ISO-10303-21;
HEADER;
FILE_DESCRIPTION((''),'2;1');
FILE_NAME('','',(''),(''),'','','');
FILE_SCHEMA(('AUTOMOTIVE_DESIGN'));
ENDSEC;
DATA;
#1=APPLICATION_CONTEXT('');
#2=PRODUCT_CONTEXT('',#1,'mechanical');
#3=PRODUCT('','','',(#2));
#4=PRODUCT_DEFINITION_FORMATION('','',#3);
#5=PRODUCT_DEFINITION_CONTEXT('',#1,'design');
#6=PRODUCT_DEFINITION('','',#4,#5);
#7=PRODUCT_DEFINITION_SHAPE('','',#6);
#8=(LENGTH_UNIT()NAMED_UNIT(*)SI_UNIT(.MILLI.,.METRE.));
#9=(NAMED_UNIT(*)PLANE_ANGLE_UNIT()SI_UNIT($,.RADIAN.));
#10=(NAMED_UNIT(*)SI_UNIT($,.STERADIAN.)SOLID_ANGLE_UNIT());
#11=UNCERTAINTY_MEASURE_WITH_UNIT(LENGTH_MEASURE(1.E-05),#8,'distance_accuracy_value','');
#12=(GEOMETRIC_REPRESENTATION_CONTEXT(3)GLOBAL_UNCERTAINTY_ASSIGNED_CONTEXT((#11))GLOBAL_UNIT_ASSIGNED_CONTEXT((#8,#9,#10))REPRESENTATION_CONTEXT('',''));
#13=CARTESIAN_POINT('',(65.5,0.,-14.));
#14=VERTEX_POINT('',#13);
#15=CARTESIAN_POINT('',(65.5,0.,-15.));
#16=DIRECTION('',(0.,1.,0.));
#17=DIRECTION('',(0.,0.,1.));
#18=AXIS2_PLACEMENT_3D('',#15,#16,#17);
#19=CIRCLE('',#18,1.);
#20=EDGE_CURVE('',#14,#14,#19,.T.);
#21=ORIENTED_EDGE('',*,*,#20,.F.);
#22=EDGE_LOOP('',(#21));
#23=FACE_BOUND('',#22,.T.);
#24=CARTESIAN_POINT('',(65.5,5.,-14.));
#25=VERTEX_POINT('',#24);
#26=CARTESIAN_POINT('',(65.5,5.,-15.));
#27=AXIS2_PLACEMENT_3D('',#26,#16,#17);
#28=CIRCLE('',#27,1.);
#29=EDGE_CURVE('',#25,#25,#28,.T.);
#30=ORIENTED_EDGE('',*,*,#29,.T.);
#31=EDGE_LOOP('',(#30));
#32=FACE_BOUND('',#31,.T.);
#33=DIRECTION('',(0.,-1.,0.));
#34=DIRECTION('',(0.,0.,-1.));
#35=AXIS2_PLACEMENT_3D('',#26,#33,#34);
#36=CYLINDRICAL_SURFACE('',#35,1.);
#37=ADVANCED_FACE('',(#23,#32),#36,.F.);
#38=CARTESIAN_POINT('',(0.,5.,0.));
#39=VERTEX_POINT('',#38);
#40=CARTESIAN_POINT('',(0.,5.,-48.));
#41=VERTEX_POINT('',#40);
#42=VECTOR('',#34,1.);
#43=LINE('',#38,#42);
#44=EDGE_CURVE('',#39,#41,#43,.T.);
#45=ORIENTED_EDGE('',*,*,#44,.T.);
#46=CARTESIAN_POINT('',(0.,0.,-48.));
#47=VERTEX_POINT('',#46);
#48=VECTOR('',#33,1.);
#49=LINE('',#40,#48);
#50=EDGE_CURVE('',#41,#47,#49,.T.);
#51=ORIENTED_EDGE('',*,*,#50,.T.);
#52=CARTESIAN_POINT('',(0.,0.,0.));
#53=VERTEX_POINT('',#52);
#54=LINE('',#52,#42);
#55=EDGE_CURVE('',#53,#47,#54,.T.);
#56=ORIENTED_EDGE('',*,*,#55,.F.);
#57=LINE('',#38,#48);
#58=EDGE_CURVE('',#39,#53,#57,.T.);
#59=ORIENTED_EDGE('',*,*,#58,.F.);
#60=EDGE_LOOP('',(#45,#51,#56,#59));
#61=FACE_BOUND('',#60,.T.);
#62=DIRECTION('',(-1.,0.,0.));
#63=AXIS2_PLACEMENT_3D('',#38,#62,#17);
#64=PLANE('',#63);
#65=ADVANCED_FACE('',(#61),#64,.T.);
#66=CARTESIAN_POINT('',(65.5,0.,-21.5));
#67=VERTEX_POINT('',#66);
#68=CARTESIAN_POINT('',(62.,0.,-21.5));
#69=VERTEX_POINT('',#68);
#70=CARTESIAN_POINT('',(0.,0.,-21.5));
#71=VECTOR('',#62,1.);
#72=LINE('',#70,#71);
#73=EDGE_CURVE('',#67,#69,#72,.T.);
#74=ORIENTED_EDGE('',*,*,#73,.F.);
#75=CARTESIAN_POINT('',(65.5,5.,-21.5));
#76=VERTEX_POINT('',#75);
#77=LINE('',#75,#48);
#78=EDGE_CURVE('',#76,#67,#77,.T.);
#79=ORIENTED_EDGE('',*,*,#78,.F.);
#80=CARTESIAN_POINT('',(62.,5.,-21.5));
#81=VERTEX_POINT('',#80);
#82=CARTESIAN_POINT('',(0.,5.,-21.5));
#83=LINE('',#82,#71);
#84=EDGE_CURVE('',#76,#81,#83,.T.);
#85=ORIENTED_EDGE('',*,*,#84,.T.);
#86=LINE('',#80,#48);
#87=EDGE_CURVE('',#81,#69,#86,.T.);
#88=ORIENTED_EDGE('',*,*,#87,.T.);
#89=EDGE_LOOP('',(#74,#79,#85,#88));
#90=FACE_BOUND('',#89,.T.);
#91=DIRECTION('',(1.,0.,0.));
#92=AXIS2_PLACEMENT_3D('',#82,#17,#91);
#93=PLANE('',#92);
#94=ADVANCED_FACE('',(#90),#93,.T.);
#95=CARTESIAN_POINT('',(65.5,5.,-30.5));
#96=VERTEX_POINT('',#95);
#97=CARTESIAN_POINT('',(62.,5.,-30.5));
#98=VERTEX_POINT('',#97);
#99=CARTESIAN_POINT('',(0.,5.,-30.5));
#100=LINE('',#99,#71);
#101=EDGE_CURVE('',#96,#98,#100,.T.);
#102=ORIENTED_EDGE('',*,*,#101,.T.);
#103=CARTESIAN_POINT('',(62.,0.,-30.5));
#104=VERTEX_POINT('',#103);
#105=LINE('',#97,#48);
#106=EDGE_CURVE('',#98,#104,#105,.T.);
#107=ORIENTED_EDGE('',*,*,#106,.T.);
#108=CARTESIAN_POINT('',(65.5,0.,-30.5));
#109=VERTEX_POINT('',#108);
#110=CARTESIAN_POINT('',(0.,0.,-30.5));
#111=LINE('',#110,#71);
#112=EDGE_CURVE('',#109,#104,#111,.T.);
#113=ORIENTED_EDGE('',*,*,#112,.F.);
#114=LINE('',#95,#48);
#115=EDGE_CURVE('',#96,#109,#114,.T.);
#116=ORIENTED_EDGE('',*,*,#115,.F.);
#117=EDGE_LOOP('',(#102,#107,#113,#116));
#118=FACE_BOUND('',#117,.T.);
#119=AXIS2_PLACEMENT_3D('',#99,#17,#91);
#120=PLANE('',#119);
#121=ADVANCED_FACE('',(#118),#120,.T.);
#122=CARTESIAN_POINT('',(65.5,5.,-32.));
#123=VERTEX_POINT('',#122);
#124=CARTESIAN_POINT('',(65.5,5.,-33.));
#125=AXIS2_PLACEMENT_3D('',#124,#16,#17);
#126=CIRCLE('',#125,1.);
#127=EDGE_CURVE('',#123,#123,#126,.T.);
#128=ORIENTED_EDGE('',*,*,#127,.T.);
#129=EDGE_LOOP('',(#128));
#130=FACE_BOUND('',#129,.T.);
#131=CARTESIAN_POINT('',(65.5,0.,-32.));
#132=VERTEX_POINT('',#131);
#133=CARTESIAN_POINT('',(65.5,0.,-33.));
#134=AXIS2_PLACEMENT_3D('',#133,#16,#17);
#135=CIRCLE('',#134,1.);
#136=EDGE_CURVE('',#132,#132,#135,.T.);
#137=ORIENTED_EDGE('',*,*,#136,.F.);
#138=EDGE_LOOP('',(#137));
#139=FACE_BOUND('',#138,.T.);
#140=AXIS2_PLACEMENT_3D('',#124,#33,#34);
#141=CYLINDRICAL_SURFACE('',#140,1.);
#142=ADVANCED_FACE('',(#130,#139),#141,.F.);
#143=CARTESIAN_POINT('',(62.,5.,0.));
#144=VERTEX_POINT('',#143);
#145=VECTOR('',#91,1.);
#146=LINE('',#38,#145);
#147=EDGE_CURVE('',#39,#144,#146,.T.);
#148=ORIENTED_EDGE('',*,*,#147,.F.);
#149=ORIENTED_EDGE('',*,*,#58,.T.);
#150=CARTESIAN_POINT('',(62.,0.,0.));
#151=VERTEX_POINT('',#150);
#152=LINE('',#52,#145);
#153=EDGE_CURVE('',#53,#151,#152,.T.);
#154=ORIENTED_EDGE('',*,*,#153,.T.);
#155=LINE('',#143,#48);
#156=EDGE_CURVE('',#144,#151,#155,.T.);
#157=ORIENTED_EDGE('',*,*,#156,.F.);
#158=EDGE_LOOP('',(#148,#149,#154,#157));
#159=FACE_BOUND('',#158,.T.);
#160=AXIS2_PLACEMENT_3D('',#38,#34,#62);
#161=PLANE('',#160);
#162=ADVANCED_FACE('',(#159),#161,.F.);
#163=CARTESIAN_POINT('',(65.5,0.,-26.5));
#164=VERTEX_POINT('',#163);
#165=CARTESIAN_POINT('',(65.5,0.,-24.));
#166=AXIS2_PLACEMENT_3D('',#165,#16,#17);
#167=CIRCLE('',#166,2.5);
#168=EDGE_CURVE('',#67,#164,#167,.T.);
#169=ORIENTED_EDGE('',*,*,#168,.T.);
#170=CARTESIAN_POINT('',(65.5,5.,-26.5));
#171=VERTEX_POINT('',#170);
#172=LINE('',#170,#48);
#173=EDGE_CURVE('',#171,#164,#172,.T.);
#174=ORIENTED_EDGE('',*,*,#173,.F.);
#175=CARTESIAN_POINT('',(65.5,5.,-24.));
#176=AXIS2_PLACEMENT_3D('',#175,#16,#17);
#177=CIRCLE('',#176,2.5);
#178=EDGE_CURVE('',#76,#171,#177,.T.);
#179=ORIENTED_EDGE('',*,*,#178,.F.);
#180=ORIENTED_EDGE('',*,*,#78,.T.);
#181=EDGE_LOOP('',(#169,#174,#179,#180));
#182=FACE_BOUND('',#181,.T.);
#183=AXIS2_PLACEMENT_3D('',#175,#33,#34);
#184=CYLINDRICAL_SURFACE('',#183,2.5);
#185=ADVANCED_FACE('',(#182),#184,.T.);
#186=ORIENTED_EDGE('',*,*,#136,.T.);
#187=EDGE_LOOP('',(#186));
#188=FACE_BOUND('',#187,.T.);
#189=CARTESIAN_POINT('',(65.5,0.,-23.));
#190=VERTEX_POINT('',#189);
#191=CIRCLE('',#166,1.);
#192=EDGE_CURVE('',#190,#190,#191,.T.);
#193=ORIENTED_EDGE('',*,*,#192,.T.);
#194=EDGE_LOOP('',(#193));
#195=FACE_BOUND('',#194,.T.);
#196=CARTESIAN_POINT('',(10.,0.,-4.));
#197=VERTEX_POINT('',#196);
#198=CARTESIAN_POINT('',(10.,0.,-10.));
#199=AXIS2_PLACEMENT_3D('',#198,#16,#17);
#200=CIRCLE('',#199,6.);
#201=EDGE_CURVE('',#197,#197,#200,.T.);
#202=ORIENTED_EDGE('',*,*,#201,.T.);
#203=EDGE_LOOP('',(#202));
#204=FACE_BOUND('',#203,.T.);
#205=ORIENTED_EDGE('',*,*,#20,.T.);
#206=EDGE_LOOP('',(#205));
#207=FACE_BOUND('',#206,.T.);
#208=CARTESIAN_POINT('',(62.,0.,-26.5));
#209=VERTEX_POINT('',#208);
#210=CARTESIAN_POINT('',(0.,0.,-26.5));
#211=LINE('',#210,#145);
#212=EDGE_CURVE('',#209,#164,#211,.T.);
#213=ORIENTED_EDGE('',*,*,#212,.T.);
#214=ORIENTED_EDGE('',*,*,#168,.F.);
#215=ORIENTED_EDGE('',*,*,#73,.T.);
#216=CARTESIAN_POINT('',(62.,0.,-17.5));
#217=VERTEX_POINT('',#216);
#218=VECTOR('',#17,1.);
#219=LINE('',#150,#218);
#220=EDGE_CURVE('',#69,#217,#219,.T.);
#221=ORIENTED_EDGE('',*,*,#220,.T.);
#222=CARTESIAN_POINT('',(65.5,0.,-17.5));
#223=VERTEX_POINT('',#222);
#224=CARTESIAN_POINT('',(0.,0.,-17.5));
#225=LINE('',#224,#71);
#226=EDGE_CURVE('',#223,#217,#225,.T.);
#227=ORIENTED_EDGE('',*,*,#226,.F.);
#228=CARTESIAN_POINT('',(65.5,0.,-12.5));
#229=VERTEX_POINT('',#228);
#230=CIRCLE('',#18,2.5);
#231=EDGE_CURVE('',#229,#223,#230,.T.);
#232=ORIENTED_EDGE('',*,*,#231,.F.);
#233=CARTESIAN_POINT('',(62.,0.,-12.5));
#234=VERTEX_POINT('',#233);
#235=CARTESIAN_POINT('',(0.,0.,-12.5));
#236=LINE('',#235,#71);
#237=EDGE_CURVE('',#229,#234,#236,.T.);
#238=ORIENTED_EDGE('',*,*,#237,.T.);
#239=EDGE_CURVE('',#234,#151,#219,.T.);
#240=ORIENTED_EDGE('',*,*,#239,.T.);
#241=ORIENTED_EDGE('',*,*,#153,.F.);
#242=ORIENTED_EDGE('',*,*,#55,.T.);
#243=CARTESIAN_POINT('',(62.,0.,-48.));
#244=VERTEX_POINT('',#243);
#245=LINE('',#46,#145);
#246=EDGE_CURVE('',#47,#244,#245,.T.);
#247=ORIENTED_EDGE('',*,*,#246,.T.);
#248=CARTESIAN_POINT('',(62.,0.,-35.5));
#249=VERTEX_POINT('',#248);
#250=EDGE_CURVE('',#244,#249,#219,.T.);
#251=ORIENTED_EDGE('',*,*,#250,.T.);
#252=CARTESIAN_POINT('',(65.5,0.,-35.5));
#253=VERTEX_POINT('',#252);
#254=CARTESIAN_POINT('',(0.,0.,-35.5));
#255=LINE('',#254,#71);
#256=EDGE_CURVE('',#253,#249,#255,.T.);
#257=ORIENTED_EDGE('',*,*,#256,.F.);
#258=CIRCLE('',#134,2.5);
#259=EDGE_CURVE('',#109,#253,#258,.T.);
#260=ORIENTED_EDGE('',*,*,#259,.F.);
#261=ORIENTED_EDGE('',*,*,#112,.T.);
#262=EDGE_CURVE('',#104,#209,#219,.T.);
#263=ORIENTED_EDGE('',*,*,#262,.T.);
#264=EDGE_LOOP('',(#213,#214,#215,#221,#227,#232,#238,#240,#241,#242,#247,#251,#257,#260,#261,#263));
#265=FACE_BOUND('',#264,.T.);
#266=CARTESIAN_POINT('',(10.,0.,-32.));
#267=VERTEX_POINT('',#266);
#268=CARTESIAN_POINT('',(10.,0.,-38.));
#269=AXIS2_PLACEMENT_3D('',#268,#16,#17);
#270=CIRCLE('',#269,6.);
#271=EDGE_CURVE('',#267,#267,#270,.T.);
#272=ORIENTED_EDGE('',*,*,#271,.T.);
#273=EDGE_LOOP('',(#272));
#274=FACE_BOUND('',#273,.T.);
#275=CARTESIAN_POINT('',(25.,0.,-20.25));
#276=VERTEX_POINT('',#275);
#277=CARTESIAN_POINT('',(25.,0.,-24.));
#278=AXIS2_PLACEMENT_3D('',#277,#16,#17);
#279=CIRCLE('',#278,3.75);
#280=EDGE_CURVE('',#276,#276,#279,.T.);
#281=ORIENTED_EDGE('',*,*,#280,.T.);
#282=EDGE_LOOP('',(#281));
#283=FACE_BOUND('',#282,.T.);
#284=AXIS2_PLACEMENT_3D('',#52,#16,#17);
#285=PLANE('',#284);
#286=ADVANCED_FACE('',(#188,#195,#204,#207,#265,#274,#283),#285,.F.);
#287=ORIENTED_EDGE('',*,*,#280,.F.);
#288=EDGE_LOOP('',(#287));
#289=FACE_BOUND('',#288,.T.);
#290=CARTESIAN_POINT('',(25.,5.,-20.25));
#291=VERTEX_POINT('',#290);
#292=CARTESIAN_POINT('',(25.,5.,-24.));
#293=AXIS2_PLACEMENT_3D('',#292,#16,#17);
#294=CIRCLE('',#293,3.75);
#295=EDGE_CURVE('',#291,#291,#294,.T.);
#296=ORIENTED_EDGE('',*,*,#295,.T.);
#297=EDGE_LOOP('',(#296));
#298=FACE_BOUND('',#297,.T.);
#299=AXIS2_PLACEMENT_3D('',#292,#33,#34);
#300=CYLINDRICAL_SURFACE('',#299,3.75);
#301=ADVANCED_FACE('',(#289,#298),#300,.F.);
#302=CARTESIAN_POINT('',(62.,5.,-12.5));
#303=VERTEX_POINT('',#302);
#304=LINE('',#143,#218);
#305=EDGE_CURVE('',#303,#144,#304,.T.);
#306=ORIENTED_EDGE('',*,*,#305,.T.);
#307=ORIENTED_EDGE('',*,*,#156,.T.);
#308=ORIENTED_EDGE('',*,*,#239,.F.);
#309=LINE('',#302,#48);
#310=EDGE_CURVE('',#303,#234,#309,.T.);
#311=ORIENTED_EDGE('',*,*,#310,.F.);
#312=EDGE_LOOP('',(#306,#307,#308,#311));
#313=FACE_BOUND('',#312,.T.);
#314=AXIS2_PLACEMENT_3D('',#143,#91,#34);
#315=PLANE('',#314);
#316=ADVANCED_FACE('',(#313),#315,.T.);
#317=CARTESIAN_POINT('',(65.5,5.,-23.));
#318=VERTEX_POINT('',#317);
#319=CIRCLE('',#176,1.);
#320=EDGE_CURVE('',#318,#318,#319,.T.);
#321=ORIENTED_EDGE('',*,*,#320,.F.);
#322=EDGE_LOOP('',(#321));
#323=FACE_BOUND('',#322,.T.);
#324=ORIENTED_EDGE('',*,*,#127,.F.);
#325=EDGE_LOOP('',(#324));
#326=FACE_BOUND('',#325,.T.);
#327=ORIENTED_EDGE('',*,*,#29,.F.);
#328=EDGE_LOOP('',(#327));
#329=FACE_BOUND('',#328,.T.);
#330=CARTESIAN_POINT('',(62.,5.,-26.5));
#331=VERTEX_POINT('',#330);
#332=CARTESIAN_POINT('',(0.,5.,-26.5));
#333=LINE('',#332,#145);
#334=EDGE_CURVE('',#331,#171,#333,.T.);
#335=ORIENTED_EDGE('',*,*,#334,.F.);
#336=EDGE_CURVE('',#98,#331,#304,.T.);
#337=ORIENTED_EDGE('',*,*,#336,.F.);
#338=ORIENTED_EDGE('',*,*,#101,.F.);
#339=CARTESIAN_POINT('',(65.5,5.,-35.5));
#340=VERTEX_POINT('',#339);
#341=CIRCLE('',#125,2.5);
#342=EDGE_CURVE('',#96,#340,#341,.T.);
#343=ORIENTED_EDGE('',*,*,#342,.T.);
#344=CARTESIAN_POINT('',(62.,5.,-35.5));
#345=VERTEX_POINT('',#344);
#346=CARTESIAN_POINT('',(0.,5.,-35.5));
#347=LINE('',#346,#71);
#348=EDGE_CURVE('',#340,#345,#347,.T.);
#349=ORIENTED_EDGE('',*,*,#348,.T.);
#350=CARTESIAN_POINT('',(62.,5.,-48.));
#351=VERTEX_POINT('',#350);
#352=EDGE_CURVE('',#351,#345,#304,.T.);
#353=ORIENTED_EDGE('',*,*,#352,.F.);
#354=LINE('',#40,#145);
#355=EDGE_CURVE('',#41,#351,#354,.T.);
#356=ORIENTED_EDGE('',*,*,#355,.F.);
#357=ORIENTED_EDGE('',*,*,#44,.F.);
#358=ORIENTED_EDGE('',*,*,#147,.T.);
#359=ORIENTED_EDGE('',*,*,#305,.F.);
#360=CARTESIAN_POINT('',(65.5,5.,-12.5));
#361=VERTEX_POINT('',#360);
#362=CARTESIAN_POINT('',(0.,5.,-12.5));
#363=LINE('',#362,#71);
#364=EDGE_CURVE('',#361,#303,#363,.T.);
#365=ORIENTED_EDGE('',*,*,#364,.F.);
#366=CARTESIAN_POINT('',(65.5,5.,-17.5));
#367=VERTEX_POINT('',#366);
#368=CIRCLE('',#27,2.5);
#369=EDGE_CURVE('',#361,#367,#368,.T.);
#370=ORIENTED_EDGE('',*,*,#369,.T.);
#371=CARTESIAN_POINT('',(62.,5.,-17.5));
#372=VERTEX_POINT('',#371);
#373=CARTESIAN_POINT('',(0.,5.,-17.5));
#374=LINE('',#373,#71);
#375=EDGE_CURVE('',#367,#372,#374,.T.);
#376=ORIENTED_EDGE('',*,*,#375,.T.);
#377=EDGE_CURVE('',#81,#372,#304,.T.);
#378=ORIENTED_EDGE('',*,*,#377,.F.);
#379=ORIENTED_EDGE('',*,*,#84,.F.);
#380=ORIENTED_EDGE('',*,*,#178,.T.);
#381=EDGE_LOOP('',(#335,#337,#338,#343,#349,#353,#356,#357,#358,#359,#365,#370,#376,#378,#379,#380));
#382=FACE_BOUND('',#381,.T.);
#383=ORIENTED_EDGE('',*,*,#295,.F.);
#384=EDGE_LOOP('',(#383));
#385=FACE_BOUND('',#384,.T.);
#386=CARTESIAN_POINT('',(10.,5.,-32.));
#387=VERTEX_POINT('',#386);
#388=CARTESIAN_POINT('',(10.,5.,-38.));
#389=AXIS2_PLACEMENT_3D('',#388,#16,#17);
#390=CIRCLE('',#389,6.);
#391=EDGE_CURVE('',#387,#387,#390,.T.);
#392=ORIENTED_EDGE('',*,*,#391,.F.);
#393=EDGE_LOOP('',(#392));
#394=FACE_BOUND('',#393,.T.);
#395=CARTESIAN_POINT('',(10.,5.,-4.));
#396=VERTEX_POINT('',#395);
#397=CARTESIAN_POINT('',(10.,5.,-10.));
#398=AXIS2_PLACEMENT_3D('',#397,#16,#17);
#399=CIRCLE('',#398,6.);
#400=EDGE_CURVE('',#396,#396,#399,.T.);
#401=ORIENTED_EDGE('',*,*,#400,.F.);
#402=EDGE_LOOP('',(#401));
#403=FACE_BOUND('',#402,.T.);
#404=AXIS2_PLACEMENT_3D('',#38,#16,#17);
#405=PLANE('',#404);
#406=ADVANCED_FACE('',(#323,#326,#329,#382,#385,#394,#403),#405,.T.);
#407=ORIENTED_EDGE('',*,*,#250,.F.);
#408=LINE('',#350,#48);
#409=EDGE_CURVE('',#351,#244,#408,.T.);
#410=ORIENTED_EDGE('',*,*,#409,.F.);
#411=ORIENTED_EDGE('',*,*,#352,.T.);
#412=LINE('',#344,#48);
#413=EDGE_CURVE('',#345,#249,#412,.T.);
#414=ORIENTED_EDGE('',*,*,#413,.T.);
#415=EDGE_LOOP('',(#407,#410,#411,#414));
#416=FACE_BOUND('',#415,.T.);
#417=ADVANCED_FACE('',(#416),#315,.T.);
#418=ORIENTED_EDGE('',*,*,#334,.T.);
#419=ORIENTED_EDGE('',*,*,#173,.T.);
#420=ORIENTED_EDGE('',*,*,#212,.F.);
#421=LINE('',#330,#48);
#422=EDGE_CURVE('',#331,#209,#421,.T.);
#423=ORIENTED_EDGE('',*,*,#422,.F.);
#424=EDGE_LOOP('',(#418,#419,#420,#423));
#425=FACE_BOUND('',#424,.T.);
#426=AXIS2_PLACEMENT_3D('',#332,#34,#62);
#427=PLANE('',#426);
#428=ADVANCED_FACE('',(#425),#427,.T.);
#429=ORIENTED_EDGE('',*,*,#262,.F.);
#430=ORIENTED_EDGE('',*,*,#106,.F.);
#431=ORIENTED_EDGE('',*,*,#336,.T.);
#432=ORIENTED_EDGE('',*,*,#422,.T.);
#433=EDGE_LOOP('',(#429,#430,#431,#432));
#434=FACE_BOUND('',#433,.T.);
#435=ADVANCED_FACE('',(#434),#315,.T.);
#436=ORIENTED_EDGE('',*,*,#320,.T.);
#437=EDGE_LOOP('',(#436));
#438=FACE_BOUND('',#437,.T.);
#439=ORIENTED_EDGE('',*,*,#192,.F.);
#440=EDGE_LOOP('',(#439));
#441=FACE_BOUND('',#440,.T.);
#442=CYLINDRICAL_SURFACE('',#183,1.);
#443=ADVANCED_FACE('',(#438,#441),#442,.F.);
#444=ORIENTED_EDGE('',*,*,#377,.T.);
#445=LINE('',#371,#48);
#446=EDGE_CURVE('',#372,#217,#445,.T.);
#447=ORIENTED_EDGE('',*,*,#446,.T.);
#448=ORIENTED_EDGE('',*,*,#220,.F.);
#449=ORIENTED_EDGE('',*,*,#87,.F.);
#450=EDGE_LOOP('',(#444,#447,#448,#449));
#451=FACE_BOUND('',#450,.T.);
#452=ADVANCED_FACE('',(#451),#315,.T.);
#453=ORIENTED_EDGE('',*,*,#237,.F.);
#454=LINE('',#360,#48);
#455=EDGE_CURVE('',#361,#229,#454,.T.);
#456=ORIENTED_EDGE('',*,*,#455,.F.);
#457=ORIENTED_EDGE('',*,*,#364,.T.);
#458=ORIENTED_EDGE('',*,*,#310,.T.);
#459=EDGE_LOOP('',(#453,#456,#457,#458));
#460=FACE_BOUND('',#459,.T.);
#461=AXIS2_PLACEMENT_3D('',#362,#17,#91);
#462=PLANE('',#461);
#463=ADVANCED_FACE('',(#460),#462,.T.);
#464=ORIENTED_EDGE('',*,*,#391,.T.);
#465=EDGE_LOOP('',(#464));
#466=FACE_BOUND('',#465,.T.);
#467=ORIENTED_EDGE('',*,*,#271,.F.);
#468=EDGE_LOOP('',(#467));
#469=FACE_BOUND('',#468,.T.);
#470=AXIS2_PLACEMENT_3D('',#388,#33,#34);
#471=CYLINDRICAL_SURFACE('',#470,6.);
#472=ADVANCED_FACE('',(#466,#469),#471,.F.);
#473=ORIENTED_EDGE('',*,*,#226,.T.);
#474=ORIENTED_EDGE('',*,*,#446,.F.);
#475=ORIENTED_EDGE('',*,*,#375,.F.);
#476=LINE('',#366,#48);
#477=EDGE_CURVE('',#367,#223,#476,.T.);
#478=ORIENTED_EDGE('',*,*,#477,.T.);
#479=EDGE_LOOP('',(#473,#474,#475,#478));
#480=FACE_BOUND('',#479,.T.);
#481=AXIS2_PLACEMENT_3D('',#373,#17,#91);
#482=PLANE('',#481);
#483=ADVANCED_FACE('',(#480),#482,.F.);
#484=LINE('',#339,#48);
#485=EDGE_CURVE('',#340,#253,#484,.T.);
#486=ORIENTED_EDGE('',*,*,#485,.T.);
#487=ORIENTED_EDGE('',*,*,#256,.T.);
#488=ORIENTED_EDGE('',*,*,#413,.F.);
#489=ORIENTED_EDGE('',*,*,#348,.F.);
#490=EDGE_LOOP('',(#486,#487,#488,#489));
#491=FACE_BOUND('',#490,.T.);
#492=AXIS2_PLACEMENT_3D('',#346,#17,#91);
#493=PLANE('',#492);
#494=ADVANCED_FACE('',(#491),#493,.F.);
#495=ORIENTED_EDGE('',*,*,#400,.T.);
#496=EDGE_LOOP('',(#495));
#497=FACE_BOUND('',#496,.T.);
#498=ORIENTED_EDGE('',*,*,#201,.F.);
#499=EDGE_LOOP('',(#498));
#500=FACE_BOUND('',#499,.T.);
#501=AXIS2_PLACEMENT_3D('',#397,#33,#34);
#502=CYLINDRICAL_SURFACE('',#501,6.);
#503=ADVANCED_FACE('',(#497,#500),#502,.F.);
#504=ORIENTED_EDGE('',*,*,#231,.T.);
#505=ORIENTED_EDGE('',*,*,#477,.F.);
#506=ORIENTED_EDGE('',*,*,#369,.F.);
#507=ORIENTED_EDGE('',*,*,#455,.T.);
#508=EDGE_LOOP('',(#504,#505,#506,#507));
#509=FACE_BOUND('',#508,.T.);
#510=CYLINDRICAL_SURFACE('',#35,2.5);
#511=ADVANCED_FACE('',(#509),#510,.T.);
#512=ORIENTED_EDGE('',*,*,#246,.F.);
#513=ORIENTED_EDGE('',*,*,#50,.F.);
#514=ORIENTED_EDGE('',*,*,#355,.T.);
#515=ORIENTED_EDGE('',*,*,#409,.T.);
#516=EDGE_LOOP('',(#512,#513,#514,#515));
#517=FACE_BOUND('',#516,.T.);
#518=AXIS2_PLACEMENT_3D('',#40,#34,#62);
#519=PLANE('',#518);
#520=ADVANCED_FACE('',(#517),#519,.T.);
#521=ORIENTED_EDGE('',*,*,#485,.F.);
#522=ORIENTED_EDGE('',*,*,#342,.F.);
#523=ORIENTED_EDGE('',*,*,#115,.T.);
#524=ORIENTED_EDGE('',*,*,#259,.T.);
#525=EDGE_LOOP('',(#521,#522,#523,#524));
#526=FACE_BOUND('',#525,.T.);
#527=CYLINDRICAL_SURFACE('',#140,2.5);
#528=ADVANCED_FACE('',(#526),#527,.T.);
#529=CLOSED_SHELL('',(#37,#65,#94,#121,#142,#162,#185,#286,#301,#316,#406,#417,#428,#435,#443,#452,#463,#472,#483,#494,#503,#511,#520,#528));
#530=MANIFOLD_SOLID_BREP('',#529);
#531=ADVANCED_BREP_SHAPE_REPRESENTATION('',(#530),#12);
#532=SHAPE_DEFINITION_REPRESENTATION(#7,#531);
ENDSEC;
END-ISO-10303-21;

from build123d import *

# Parameters (mm, degrees)
SKETCH1_R           = 6
SKETCH1_R_2         = 3.75
SKETCH1_R_3         = 1
BOSS_EXTRUDE1_DEPTH = 5


with BuildPart() as part:
    # Sketch1 → Boss-Extrude1 (new body)
    with BuildSketch(Plane(origin=(0, 0, 0), x_dir=(1, 0, 0), z_dir=(0, 1, 0))):
        with BuildLine():
            Line((65.5, 12.5), (62, 12.5))
            Line((62, 12.5), (62, 0))
            Line((62, 0), (0, 0))
            Line((0, 0), (0, 48))
            Line((0, 48), (62, 48))
            Line((62, 48), (62, 35.5))
            Line((62, 35.5), (65.5, 35.5))
            ThreePointArc((65.5, 35.5), (68, 33), (65.5, 30.5))
            Line((65.5, 30.5), (62, 30.5))
            Line((62, 30.5), (62, 26.5))
            Line((62, 26.5), (65.5, 26.5))
            ThreePointArc((65.5, 26.5), (68, 24), (65.5, 21.5))
            Line((65.5, 21.5), (62, 21.5))
            Line((62, 21.5), (62, 17.5))
            Line((62, 17.5), (65.5, 17.5))
            ThreePointArc((65.5, 17.5), (68, 15), (65.5, 12.5))
        make_face()
        with Locations(Location((10, 10, 0), (0, 0, 270))):
            Circle(SKETCH1_R, mode=Mode.SUBTRACT)
        with Locations(Location((10, 38, 0), (0, 0, 270))):
            Circle(SKETCH1_R, mode=Mode.SUBTRACT)
        with Locations(Location((25, 24, 0), (0, 0, 270))):
            Circle(SKETCH1_R_2, mode=Mode.SUBTRACT)
        with Locations(Location((65.5, 15, 0), (0, 0, 270))):
            Circle(SKETCH1_R_3, mode=Mode.SUBTRACT)
        with Locations(Location((65.5, 24, 0), (0, 0, 270))):
            Circle(SKETCH1_R_3, mode=Mode.SUBTRACT)
        with Locations(Location((65.5, 33, 0), (0, 0, 270))):
            Circle(SKETCH1_R_3, mode=Mode.SUBTRACT)
    extrude(amount=BOSS_EXTRUDE1_DEPTH)


solid = part.part
